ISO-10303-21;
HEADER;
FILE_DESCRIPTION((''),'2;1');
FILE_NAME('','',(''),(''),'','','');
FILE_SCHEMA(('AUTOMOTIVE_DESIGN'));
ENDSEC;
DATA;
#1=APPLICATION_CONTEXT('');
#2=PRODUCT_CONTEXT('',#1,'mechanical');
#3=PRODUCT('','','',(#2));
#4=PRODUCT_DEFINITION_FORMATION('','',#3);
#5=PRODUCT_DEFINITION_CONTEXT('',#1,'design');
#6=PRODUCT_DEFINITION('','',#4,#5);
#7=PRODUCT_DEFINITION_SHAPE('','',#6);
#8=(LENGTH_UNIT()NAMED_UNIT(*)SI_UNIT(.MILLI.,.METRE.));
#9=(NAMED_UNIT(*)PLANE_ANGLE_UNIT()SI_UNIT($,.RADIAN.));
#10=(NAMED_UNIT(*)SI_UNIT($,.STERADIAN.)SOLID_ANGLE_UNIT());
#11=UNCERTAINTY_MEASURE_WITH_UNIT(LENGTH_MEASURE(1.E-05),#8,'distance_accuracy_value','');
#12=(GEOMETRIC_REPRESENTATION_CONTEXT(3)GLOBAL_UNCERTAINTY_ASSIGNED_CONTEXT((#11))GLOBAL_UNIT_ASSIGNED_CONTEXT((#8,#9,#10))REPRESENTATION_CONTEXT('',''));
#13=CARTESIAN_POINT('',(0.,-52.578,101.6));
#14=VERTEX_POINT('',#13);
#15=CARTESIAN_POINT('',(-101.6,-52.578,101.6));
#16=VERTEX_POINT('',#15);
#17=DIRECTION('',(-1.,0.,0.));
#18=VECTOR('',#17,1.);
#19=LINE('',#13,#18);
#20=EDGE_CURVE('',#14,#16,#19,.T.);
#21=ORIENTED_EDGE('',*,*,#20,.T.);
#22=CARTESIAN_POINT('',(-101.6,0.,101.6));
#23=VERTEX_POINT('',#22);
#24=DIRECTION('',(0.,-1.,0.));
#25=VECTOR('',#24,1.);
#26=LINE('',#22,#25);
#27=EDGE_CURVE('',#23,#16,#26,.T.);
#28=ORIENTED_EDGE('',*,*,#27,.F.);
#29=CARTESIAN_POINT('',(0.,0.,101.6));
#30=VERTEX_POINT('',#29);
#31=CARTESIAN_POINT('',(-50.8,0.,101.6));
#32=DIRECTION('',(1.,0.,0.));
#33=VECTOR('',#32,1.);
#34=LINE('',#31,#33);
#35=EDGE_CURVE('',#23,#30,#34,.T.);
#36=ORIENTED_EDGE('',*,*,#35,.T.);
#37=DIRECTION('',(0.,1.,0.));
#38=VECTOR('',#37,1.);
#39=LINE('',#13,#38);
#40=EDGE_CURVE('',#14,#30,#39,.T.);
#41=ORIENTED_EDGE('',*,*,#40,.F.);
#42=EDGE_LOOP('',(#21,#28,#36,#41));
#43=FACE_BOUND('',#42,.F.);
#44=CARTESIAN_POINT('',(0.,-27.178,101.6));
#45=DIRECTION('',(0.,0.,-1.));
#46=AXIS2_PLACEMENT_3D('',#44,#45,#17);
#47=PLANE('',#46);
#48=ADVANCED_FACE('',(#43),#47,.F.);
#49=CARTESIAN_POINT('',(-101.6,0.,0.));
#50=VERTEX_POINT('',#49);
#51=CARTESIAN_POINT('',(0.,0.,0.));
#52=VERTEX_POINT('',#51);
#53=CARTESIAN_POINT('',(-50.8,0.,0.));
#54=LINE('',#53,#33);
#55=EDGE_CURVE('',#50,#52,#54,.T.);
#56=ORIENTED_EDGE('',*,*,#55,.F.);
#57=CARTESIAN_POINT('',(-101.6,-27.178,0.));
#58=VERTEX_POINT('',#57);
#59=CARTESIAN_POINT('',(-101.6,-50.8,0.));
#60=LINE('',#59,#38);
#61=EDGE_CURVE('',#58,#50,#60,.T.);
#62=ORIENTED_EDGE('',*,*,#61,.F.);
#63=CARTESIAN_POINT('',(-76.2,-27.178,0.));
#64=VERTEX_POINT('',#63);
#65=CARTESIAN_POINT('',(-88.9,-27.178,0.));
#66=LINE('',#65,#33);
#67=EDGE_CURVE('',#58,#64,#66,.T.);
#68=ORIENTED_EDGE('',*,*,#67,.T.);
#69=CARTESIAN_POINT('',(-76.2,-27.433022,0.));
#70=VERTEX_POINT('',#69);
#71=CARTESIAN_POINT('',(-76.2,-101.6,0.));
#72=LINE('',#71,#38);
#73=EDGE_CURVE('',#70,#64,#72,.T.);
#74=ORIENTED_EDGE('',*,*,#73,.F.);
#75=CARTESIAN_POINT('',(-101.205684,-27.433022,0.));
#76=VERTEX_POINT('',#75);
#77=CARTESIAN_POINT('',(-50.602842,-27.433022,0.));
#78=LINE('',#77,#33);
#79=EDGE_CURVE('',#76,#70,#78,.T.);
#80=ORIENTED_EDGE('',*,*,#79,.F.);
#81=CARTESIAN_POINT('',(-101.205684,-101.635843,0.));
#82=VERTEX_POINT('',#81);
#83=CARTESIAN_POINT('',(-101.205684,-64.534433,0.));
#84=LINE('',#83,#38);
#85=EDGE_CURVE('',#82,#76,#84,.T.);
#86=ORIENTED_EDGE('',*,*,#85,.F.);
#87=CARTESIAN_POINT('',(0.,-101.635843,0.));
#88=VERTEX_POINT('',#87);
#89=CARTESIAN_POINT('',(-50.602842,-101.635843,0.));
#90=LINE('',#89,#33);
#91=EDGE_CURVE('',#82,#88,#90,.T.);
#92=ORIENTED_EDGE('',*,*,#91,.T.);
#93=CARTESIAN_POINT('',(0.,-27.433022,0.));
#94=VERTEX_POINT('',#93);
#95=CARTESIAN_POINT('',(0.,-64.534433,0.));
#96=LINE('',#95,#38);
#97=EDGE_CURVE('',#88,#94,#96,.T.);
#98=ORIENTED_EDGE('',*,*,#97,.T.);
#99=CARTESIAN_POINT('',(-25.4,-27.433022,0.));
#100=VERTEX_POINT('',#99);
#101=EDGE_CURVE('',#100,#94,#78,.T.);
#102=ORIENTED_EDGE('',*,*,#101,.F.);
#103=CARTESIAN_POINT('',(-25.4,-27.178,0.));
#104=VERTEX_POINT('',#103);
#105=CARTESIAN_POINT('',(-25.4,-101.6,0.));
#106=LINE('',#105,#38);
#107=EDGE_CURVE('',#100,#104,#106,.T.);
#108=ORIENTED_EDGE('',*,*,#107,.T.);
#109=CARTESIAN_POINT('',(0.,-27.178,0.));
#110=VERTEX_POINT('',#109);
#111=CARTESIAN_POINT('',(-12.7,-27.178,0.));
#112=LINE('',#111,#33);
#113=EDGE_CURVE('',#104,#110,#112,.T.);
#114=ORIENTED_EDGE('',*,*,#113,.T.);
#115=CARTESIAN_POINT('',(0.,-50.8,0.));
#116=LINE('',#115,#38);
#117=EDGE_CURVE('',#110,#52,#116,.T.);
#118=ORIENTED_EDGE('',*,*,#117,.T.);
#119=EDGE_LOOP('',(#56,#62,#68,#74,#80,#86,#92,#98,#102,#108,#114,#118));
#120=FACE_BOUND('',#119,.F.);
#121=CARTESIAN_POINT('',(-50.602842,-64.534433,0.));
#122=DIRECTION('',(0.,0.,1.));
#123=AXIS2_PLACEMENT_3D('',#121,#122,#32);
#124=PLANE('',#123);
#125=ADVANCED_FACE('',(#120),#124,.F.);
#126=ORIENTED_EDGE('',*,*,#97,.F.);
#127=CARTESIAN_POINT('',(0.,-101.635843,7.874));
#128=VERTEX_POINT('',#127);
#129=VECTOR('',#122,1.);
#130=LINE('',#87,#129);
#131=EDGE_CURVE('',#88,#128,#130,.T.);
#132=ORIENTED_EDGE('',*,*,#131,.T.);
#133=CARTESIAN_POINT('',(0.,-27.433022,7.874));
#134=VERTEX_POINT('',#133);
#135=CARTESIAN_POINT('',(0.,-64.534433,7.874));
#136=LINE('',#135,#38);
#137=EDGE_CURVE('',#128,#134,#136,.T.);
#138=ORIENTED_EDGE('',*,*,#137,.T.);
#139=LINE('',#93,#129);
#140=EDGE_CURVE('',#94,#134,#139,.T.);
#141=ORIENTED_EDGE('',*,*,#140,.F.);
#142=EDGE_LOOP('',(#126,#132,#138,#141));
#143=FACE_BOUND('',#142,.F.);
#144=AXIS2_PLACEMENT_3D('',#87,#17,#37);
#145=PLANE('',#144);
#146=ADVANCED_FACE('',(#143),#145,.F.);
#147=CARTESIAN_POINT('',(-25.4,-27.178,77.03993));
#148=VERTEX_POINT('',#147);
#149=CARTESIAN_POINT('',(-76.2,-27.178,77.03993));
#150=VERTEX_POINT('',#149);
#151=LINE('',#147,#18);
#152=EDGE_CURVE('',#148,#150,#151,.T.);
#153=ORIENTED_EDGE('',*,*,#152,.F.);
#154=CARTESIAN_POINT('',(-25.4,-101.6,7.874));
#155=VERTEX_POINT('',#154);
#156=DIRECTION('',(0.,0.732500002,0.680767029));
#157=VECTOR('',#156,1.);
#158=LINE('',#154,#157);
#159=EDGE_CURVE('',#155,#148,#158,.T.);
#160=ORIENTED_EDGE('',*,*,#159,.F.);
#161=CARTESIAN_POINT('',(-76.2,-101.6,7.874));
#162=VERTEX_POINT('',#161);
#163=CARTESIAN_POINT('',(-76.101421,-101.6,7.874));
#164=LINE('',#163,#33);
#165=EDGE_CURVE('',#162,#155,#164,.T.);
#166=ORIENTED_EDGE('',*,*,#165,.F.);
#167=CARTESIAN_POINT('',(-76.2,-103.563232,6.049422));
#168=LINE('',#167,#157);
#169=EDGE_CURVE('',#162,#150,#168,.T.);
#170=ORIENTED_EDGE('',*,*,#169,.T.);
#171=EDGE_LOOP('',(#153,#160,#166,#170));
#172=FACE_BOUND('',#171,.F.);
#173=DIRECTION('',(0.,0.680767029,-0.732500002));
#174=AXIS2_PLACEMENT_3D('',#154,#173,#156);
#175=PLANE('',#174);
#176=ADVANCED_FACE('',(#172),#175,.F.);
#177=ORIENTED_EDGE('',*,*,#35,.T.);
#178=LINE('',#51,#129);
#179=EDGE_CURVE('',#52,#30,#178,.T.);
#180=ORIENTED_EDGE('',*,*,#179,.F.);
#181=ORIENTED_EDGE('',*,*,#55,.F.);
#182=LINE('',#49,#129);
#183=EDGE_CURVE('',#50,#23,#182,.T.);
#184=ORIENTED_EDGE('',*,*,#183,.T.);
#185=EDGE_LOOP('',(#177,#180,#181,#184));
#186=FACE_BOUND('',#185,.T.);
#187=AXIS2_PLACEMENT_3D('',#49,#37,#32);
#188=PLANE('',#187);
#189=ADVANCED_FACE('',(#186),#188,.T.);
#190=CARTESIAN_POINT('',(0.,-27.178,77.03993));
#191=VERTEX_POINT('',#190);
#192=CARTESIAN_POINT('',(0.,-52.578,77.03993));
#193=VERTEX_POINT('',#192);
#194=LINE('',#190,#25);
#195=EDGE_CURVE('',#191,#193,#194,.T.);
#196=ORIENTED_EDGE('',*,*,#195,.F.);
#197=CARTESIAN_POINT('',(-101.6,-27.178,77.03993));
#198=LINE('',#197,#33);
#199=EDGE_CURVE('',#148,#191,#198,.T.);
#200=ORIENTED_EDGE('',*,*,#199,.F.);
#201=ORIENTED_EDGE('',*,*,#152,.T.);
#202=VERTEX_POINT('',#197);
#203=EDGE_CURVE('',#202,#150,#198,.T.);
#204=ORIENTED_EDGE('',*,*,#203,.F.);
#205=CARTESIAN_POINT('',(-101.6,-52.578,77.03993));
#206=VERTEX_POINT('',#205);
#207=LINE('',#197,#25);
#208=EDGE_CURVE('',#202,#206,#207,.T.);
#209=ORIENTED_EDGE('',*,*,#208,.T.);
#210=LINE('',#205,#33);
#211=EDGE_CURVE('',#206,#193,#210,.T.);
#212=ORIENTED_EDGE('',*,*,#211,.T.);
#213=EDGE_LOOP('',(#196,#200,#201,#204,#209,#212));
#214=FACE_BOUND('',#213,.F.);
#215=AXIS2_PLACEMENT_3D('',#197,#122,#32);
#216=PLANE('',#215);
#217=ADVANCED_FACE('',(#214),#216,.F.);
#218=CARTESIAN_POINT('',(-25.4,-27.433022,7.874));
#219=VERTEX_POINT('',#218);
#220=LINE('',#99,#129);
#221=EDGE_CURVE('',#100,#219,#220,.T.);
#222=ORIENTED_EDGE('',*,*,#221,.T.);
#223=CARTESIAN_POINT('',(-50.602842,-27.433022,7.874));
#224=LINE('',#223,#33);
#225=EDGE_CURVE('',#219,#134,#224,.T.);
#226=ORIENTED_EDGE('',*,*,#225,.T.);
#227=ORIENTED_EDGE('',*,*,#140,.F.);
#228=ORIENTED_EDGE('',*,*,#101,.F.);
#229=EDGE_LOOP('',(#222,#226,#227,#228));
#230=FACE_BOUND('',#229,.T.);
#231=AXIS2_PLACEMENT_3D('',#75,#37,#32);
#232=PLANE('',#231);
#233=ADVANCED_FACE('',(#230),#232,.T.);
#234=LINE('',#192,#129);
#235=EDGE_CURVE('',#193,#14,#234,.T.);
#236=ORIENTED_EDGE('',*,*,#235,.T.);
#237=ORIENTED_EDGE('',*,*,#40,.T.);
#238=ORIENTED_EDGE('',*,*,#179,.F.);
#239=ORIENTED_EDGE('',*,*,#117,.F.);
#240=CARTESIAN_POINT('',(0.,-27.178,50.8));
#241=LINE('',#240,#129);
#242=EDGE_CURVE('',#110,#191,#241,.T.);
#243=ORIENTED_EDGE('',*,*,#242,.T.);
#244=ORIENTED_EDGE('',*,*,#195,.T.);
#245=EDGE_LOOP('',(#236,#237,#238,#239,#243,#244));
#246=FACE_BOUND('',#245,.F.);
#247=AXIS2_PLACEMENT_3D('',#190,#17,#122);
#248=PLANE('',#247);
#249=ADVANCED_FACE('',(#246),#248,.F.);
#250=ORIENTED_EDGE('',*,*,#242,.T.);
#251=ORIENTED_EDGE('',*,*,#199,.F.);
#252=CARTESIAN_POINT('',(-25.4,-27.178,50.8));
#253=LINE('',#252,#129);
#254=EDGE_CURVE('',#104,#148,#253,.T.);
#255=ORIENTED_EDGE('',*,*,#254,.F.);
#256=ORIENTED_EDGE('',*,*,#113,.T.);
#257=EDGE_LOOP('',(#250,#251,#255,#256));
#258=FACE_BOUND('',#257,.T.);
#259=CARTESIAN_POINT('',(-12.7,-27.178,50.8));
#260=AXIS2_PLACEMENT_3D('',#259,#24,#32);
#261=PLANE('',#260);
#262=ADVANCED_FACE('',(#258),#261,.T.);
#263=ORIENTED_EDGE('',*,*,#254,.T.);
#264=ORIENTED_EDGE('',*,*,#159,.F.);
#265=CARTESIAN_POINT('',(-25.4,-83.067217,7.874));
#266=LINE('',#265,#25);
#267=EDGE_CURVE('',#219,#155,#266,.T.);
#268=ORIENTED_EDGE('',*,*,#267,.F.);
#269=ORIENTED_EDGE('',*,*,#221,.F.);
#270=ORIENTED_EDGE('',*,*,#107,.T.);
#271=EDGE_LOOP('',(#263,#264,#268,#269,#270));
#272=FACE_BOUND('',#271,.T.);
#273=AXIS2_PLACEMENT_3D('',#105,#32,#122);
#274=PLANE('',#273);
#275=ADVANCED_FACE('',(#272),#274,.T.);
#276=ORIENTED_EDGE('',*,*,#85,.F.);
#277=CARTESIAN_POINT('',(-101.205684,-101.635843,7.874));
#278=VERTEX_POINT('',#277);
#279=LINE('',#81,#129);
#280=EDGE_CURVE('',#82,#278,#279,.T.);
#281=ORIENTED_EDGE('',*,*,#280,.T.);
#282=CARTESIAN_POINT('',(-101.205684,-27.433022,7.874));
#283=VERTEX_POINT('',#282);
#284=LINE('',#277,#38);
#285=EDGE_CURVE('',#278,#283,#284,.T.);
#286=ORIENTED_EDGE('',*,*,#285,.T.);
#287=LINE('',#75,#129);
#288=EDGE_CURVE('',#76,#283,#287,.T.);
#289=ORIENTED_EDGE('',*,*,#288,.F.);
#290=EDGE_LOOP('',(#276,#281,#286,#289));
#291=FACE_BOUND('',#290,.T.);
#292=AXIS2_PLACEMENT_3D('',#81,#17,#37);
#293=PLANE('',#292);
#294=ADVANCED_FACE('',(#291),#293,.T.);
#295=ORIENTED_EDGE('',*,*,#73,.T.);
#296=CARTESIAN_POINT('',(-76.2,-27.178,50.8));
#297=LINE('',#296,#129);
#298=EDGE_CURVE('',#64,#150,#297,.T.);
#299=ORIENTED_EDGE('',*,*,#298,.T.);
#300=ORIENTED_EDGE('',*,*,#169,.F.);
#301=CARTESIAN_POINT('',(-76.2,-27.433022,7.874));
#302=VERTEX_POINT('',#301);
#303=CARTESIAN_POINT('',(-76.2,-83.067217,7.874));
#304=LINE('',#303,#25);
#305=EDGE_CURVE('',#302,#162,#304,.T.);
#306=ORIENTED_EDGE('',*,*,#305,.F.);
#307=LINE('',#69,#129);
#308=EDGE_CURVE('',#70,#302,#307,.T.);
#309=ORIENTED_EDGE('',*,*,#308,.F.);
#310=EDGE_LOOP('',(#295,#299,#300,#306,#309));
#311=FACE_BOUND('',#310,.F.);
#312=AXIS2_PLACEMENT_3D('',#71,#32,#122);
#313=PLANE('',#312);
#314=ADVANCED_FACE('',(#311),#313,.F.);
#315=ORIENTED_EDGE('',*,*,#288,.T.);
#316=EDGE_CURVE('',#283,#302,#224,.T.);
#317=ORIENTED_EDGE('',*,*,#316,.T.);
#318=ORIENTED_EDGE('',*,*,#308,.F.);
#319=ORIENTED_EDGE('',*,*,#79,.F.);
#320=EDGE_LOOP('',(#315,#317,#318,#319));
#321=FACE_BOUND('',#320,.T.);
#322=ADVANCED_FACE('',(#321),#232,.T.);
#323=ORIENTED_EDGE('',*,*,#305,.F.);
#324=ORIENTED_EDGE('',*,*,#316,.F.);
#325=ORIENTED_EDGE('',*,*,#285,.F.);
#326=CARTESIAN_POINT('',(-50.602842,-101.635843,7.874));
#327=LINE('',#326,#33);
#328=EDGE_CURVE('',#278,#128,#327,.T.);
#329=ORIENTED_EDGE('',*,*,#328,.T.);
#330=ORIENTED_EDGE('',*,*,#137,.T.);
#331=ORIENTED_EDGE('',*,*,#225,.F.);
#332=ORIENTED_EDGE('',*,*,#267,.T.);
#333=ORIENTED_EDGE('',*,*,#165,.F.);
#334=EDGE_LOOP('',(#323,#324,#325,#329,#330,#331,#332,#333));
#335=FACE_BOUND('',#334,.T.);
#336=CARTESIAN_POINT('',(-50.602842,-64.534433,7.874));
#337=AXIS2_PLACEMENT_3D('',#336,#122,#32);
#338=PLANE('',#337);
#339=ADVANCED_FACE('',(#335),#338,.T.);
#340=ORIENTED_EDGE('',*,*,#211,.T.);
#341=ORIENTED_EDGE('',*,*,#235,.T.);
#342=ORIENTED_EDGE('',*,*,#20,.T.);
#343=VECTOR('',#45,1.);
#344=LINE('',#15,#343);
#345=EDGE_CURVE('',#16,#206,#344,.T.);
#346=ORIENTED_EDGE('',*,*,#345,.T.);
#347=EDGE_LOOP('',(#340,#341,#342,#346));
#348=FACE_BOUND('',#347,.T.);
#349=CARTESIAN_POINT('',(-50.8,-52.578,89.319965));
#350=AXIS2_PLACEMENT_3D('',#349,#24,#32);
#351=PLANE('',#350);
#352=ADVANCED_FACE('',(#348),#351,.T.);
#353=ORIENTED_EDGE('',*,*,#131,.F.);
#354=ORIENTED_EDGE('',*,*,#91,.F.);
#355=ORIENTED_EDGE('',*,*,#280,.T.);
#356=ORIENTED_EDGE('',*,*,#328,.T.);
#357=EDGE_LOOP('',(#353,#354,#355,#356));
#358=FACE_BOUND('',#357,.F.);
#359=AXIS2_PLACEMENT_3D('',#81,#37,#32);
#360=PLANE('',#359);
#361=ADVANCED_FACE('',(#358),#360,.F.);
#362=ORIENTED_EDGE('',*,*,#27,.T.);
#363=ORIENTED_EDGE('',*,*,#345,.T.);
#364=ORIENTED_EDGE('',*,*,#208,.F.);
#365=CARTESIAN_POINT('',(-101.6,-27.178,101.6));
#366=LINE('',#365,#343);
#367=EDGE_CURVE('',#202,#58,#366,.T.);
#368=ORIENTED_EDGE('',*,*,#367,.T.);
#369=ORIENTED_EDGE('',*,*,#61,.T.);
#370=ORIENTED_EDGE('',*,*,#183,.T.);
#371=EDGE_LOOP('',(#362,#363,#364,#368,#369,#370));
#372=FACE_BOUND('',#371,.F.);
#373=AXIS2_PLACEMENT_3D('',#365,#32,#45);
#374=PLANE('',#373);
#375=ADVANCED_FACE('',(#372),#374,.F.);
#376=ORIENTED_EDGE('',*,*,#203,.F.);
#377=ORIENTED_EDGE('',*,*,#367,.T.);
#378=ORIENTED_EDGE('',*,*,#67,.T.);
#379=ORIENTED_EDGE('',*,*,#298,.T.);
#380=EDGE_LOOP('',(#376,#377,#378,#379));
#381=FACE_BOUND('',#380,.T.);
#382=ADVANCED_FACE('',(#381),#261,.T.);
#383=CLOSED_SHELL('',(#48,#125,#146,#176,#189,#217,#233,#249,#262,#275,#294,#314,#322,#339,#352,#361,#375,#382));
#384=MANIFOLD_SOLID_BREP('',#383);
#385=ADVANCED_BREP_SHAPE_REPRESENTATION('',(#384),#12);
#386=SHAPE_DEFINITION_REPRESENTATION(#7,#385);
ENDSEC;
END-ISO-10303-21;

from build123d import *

# Parameters (mm, degrees)
F0_W     = 101.6
F0_H     = 101.6
F1_DEPTH = 101.6
F2_W     = 25.4
F2_H     = 101.6
F3_DEPTH = 74.422
F4_W     = 101.205684
F4_H     = 74.202821
F5_DEPTH = 7.874
F7_DEPTH = 102.616
F9_DEPTH = 25.4


with BuildPart() as f1:
    # F0 (on Top) → F1 (new body)
    with BuildSketch(Plane.XY):
        with Locations((-50.8, -50.8)):
            Rectangle(F0_W, F0_H)
    extrude(amount=F1_DEPTH)

    # F2 (on face) → F3 (cut)
    with BuildSketch(Plane.XZ.offset(101.6)):
        with Locations((-12.7, 50.8)):
            Rectangle(F2_W, F2_H)
        with Locations((-88.9, 50.8)):
            Rectangle(F2_W, F2_H)
    extrude(amount=-F3_DEPTH, mode=Mode.SUBTRACT)

    # F4 (on Top) → F5 (join)
    with BuildSketch(Plane.XY):
        with Locations((-50.602842, -64.534433)):
            Rectangle(F4_W, F4_H)
    extrude(amount=F5_DEPTH)

    # F6 (on face) → F7 (cut)
    with BuildSketch(Plane.YZ.offset(-25.4)):
        Polygon((-101.6, 101.6), (-101.6, 7.874), (-27.178, 77.03993), (-27.178, 101.6), align=None)
    extrude(amount=-F7_DEPTH, mode=Mode.SUBTRACT)

    # F8 (on face) → F9 (join)
    with BuildSketch(Plane.XZ.offset(27.178)):
        Polygon((0, 101.6), (-101.6, 101.6), (-101.6, 77.03993), (-76.2, 77.03993), (-25.4, 77.03993), (0, 77.03993), align=None)
    extrude(amount=F9_DEPTH)


solid = f1.part
